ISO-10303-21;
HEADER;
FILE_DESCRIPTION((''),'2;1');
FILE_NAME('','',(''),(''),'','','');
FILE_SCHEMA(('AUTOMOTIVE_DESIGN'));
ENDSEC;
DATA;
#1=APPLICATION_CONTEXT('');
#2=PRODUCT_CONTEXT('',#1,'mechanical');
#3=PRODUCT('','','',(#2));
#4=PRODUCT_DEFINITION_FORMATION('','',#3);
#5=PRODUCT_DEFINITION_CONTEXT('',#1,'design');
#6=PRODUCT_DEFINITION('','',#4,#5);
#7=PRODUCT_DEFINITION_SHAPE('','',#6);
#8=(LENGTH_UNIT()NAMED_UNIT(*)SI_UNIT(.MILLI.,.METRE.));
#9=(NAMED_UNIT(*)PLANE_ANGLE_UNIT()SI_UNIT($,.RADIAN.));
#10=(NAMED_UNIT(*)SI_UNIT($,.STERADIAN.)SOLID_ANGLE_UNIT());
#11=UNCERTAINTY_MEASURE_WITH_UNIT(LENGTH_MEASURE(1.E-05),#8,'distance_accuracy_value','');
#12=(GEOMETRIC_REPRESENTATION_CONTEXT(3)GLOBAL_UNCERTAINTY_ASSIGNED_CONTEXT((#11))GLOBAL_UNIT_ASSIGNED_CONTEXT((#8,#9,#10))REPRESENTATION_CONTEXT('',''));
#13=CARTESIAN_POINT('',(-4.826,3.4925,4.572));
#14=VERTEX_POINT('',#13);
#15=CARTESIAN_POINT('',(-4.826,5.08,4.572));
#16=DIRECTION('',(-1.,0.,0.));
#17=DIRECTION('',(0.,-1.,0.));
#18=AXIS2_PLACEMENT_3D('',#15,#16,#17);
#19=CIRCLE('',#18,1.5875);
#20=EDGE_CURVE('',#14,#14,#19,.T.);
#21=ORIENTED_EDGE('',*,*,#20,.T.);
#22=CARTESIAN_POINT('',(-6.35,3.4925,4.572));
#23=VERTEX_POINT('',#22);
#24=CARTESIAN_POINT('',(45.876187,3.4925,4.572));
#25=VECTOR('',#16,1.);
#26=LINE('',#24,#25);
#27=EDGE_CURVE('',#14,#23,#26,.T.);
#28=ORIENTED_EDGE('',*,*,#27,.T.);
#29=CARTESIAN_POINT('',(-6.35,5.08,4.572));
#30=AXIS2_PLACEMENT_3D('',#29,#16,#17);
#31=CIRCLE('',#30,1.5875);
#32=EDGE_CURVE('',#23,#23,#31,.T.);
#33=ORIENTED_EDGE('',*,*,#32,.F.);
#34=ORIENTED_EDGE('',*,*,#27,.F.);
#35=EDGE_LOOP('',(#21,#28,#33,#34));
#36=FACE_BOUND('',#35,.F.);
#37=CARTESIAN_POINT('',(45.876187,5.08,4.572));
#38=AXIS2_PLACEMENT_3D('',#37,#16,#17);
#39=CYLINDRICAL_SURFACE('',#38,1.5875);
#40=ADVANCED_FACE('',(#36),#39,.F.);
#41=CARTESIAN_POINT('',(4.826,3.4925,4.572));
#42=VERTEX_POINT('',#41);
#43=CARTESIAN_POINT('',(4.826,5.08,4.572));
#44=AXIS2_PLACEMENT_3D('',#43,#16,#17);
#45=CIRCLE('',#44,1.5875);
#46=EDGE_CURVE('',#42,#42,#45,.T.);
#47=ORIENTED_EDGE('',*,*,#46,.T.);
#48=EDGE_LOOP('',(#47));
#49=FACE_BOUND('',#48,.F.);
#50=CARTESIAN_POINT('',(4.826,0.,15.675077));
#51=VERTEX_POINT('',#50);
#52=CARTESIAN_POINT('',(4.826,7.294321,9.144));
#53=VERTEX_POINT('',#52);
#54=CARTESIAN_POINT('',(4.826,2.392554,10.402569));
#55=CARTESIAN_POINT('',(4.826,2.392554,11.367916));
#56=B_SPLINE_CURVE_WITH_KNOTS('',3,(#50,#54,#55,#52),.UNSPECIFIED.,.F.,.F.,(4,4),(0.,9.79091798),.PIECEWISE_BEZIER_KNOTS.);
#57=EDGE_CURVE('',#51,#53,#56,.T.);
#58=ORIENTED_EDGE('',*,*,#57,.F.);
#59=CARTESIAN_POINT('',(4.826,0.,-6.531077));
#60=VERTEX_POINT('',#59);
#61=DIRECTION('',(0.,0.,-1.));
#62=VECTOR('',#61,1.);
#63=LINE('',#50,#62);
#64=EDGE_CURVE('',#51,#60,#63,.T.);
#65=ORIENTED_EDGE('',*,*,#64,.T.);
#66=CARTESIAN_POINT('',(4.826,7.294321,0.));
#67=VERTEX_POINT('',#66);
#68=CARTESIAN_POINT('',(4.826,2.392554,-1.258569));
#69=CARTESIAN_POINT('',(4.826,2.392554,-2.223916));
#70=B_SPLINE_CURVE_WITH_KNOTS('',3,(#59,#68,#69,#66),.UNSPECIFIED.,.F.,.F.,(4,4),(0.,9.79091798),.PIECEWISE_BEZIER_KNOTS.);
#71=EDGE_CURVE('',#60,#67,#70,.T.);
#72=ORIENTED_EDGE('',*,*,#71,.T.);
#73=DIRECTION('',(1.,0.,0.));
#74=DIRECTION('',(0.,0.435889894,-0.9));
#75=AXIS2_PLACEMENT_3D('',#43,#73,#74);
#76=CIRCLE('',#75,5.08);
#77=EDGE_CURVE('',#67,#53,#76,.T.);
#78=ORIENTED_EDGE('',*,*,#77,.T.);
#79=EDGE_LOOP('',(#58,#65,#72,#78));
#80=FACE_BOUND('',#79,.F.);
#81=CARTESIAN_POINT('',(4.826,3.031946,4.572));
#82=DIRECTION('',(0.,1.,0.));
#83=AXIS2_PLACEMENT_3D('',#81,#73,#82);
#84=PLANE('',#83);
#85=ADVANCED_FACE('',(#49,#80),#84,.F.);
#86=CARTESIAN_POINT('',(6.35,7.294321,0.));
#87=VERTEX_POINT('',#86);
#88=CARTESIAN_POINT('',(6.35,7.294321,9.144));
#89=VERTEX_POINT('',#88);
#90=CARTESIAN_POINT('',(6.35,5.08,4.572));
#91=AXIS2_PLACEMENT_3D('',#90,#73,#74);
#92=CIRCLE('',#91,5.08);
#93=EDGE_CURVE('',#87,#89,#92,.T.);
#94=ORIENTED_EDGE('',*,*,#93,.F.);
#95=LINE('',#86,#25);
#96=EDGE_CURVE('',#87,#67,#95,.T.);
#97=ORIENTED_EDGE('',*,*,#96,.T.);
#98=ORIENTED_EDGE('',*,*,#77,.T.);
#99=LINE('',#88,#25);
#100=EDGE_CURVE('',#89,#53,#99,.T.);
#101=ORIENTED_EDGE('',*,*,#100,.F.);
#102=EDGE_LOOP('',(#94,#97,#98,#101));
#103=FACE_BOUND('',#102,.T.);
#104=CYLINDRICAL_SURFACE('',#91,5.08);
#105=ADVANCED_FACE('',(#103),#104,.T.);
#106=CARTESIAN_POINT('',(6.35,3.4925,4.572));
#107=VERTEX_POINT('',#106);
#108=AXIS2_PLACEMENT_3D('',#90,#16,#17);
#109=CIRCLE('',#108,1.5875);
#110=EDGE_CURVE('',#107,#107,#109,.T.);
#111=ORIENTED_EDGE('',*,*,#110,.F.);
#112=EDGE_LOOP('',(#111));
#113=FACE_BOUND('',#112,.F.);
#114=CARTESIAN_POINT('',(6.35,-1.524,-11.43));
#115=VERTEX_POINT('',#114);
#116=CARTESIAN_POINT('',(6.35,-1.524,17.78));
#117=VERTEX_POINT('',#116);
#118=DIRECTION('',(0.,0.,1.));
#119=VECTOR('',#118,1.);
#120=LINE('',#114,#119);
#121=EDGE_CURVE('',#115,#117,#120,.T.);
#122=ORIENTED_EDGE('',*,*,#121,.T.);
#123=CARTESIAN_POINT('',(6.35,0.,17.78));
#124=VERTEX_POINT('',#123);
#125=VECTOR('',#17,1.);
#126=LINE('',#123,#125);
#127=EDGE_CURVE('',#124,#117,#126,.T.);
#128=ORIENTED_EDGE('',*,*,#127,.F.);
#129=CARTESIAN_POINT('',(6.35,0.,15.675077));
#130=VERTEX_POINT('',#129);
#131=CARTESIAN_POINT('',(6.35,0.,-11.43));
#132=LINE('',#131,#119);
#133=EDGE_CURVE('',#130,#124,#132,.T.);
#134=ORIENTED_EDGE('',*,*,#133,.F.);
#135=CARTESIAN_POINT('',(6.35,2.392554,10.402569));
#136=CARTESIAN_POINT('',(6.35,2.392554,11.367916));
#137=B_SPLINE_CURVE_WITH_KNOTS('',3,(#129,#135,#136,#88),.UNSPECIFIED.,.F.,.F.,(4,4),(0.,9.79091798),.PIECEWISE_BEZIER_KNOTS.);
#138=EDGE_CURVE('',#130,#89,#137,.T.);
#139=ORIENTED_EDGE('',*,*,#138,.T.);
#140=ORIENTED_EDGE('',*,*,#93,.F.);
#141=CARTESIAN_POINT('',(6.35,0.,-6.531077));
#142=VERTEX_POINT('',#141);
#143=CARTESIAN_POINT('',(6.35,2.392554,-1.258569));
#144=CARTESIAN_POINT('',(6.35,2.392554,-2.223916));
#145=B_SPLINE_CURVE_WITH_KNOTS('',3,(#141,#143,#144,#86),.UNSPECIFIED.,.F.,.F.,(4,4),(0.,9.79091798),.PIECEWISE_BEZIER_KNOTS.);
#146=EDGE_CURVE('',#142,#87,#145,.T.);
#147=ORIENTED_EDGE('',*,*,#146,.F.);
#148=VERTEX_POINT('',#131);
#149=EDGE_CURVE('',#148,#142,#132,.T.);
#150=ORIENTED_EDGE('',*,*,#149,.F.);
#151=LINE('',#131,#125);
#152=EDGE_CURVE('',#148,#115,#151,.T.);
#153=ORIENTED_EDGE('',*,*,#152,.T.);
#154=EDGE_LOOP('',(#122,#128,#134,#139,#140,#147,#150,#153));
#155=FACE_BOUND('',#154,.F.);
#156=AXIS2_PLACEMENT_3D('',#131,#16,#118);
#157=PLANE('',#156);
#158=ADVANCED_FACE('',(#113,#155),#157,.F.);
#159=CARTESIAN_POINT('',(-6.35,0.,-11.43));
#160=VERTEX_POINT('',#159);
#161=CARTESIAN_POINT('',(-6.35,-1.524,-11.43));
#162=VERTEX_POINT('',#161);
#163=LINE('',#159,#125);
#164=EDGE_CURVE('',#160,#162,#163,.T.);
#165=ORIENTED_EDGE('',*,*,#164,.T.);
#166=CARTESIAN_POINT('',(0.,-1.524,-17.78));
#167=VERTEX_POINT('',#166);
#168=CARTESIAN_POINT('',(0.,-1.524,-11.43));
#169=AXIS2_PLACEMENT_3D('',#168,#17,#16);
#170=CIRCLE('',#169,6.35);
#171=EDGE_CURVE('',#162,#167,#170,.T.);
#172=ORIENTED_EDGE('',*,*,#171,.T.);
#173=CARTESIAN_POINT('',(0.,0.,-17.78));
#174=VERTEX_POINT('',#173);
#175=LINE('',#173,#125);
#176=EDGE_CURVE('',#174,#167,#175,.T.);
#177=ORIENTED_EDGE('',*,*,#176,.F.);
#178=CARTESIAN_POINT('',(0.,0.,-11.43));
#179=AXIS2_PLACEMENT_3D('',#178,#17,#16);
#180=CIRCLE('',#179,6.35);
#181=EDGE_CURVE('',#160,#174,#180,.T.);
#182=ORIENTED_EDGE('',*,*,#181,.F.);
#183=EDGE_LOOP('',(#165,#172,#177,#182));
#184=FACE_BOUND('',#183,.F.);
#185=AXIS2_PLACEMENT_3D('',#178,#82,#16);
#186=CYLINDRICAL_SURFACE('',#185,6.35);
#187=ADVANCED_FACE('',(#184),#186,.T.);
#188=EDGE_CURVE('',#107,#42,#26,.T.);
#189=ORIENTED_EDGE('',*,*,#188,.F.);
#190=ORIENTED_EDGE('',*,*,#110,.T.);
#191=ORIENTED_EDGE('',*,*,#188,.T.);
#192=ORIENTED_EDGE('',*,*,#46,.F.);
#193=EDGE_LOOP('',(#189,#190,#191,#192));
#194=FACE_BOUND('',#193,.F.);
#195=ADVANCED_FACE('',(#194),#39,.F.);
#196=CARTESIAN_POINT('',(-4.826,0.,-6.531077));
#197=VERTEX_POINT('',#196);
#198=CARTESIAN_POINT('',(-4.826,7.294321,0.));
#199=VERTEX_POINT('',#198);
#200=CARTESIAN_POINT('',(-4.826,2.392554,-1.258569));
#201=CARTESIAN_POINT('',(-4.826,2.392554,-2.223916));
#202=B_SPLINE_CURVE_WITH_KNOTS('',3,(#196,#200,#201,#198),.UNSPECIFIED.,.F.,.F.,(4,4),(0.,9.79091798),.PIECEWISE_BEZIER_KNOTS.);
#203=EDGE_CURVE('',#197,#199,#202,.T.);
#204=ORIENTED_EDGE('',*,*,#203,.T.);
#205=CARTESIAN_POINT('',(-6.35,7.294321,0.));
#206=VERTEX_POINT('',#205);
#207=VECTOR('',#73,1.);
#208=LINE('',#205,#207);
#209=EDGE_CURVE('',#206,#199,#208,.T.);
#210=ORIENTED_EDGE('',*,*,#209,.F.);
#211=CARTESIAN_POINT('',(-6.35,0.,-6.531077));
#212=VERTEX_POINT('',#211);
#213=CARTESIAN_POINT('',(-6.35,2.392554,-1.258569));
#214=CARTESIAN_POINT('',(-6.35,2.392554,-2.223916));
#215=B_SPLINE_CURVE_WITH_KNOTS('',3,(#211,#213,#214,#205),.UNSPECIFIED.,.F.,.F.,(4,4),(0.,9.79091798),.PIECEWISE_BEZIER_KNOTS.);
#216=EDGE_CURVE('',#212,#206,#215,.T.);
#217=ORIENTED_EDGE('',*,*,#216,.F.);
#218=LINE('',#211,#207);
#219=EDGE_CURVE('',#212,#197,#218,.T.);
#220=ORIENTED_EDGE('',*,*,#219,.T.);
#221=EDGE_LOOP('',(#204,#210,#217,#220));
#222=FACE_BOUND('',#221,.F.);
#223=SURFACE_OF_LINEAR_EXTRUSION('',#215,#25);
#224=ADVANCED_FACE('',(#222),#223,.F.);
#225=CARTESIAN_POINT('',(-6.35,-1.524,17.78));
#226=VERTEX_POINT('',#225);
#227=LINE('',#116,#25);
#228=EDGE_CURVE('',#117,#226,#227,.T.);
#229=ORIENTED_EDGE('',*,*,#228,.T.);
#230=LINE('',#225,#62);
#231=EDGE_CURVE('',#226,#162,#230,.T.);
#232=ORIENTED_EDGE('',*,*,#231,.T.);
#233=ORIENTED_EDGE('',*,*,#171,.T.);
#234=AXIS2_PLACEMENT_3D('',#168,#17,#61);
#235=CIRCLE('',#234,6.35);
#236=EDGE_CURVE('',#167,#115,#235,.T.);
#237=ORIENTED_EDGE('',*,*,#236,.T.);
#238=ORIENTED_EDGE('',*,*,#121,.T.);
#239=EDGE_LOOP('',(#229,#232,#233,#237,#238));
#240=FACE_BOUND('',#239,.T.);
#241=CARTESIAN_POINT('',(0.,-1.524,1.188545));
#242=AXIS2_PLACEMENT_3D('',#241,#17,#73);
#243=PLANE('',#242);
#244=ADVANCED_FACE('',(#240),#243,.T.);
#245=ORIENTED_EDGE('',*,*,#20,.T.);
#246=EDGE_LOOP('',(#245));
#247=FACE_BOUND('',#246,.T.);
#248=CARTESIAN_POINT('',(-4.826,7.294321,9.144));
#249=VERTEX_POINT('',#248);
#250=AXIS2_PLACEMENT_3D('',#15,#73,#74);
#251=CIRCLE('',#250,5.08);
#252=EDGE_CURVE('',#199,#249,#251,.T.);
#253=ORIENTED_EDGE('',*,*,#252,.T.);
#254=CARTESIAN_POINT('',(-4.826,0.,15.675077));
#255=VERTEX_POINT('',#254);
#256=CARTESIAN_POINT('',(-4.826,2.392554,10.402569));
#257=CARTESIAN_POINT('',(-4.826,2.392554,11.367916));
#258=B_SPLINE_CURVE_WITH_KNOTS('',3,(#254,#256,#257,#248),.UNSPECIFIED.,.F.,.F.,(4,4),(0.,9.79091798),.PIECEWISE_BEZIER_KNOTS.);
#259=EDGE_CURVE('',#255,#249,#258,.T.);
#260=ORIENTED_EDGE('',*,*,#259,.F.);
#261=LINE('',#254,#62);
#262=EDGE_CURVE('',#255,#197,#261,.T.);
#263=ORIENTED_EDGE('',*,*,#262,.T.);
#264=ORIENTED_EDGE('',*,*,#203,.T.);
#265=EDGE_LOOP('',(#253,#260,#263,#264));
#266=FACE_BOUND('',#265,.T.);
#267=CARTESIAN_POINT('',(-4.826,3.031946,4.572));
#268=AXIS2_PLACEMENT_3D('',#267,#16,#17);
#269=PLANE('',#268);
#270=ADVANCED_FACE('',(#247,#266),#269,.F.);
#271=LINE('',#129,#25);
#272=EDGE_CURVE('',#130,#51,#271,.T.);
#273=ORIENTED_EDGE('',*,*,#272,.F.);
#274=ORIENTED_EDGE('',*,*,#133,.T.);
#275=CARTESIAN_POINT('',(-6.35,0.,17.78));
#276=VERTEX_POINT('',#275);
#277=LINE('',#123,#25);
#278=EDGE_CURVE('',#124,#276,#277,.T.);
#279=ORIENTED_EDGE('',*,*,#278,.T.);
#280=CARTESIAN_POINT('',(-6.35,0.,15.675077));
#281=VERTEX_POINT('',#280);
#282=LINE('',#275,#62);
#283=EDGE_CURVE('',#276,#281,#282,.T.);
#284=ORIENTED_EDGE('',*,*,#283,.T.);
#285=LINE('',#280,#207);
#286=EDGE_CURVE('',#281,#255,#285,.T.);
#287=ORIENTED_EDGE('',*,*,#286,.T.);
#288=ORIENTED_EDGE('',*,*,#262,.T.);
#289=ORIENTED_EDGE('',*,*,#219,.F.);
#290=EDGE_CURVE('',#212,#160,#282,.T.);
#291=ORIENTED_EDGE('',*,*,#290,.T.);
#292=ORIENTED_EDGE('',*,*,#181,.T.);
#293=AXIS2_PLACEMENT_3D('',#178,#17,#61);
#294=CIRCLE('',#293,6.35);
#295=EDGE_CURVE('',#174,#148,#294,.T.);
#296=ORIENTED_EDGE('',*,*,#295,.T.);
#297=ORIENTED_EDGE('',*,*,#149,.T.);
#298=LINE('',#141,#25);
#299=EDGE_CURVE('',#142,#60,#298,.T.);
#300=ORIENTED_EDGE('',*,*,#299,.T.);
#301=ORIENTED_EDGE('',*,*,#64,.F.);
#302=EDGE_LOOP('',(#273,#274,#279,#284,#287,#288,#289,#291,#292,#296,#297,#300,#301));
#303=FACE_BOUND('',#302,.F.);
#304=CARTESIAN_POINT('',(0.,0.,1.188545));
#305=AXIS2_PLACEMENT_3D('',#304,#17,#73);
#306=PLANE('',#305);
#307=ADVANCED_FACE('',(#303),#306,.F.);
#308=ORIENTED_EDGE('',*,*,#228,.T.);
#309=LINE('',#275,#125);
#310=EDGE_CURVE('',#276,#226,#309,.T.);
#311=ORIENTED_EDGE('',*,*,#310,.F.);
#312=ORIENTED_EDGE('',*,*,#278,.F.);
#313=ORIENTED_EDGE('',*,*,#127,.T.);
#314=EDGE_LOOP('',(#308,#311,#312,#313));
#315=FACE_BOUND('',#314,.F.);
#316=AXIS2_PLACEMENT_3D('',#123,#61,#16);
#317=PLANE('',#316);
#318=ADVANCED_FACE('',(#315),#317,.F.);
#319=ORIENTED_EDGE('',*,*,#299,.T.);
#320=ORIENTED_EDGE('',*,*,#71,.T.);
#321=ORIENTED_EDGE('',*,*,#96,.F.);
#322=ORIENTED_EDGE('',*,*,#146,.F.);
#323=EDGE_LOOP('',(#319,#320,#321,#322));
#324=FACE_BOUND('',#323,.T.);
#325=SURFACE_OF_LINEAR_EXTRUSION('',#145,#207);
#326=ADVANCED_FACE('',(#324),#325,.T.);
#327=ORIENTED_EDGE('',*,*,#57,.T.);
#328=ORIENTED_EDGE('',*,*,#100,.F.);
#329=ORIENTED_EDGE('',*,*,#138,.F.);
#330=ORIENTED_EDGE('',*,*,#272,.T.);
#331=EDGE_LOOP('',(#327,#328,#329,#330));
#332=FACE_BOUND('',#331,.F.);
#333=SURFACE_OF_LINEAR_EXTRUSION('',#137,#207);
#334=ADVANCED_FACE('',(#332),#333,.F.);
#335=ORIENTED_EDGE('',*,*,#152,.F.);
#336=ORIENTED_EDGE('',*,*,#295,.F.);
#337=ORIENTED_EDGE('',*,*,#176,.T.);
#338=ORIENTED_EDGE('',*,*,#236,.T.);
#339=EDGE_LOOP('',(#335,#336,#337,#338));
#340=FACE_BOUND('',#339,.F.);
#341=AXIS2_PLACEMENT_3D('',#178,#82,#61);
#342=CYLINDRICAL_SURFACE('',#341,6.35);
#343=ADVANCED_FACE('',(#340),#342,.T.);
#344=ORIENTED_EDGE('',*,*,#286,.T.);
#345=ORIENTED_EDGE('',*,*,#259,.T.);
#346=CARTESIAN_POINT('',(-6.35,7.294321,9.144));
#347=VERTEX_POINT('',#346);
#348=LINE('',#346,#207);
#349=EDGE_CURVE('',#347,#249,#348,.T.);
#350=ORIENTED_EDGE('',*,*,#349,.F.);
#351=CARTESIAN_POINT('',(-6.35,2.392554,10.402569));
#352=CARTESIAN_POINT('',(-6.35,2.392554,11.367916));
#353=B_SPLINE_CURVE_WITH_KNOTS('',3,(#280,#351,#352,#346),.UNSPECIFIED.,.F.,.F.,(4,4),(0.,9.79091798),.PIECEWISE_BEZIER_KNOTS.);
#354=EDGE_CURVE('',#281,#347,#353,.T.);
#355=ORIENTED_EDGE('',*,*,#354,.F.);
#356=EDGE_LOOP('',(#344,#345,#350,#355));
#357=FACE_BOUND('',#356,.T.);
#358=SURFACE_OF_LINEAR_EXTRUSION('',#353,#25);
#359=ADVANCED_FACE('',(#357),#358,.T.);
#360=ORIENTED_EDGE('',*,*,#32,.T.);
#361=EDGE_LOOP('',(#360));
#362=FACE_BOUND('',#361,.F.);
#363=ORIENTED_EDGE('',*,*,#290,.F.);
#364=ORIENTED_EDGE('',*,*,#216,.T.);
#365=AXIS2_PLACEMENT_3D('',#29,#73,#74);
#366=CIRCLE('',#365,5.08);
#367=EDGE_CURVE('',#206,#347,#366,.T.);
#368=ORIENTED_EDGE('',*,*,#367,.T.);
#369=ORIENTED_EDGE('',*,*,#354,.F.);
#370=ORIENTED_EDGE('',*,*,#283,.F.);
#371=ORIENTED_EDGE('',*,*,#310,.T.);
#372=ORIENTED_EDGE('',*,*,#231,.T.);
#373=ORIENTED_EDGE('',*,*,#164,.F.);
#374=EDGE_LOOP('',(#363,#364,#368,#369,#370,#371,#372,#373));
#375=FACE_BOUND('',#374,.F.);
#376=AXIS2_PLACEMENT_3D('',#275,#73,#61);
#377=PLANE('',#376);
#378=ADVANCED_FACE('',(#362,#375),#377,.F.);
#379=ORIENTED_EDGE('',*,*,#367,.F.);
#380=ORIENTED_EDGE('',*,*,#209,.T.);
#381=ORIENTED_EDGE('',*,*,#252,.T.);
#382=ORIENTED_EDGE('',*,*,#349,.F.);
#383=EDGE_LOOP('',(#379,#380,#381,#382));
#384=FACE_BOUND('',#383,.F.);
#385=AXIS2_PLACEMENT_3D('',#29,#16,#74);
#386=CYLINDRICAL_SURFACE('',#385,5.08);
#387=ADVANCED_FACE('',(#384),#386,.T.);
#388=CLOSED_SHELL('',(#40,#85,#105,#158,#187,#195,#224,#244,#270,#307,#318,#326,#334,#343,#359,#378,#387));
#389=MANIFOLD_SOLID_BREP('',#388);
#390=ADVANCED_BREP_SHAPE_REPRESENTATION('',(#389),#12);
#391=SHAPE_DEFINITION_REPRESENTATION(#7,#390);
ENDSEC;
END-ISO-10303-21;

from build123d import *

# Parameters (mm, degrees)
F1_DEPTH = 1.524
F3_DEPTH = 1.524
F6_D     = 3.175


with BuildPart() as f1:
    # F0 (on Front) → F1 (new body)
    with BuildSketch(Plane.XZ):
        with BuildLine():
            Line((6.35, 17.78), (-6.35, 17.78))
            Line((-6.35, 17.78), (-6.35, -11.43))
            ThreePointArc((-6.35, -11.43), (-4.4901280605, -15.9201280605), (0, -17.78))
            ThreePointArc((0, -17.78), (4.4901280605, -15.9201280605), (6.35, -11.43))
            Line((6.35, -11.43), (6.35, 17.78))
        make_face()
    extrude(amount=F1_DEPTH)

    # F2 (on face) → F3 (join)
    with BuildSketch(Plane.YZ.offset(6.35)):
        with BuildLine():
            add(Edge.make_bspline(
                [(0, -6.5310765533), (2.3925540429, -1.2585692564), (2.3925540429, -2.2239157952), (7.2943206633, 0)],
                knots=[0, 0, 0, 0, 9.7909179796, 9.7909179796, 9.7909179796, 9.7909179796], degree=3))
            ThreePointArc((7.2943206633, 0), (10.16, 4.572), (7.2943206633, 9.144))
            add(Edge.make_bspline(
                [(0, 15.6750765533), (2.3925540429, 10.4025692564), (2.3925540429, 11.3679157952), (7.2943206633, 9.144)],
                knots=[0, 0, 0, 0, 9.7909179796, 9.7909179796, 9.7909179796, 9.7909179796], degree=3))
            Line((0, 15.6750765533), (0, -6.5310765533))
        make_face()
    extrude(amount=-F3_DEPTH)

    # F4: F1 across plane


with BuildPart() as f1_1:
    add(f1.part)
    add(f1.part.mirror(Plane.YZ))

    # F6 (through all)
    with Locations(Plane.YZ.offset(6.35)):
        with Locations((5.08, 4.572)):
            Hole(F6_D / 2)


solid = f1_1.part
